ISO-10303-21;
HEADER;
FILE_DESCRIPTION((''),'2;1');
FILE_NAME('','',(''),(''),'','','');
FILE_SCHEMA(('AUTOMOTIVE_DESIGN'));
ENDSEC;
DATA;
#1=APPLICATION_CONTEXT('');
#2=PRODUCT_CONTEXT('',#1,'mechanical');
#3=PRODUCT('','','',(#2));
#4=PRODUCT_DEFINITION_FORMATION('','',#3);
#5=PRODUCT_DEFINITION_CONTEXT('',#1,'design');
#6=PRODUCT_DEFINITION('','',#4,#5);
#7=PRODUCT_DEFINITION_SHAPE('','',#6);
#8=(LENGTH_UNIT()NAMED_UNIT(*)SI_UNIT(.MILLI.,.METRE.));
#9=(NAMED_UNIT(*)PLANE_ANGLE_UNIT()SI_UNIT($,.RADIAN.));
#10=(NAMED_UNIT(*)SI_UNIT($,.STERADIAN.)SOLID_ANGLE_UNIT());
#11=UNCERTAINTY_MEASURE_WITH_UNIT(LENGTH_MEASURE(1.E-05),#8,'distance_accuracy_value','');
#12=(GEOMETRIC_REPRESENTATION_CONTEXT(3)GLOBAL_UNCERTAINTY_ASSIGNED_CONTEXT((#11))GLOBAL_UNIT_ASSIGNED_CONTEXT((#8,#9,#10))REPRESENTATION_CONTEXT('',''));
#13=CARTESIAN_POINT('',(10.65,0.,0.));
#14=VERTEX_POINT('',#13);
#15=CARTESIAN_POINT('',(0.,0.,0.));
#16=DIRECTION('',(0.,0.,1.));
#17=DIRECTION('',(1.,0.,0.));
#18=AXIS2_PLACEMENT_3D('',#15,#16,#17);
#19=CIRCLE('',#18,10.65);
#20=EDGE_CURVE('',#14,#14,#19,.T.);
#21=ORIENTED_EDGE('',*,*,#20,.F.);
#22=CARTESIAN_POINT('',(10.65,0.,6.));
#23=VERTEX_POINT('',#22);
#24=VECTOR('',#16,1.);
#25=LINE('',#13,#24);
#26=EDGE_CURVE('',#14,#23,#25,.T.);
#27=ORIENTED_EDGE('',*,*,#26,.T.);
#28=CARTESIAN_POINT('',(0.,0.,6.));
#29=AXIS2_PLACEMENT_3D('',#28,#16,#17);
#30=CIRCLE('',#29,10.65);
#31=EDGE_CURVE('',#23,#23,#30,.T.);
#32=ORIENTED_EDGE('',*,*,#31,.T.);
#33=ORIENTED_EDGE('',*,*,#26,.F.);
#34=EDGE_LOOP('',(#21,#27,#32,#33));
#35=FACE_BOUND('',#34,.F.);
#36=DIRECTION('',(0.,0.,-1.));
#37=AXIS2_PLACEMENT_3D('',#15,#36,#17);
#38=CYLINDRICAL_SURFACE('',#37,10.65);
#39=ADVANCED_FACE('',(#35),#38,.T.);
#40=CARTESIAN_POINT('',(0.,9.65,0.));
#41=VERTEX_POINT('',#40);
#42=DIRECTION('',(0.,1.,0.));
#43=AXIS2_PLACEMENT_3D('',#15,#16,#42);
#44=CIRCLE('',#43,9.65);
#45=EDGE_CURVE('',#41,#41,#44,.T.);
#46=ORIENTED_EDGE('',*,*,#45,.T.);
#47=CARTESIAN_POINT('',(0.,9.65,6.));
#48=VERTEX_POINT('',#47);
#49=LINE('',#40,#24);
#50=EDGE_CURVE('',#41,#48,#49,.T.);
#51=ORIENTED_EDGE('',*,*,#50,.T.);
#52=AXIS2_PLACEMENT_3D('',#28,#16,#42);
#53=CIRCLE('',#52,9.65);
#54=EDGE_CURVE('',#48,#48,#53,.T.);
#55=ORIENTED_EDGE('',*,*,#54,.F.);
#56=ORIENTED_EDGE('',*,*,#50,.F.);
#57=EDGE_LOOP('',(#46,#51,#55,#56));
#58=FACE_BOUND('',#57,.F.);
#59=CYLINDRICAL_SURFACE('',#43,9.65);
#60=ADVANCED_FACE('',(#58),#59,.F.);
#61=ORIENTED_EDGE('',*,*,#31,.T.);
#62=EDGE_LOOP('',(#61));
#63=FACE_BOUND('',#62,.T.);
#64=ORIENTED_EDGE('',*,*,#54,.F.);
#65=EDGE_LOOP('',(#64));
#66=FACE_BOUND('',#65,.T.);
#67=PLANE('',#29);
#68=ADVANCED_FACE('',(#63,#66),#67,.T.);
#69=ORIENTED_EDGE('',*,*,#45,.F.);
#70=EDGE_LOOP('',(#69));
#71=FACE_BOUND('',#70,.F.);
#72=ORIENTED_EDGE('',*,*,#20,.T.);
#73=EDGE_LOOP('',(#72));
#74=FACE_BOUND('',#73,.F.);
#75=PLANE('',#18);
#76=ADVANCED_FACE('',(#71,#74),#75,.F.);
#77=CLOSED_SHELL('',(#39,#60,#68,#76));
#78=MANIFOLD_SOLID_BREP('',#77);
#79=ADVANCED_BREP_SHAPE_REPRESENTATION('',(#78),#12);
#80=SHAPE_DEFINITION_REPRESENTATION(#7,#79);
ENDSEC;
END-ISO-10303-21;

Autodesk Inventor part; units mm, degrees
ref_plane "YZ Plane" through (0, 0, 0) normal (1, 0, 0) x (0, 1, 0)
ref_plane "XZ Plane" through (0, 0, 0) normal (0, 1, 0) x (-1, 0, 0)
ref_plane "XY Plane" through (0, 0, 0) normal (0, 0, 1) x (1, 0, 0)
sketch "Sketch1" plane through (0, 0, 0) normal (0, 0, 1) x (1, 0, 0)
  circle A0 centre (0, 0) radius 10.65
  dimension "d0" = 21.3
extrude "Extrusion1" add sketch "Sketch1" along normal blind 6
sketch "Sketch2" plane through (0, 0, 0) normal (0, 0, -1) x (-1, 0, 0)
  point P0 (0, 0)
  point P1 (0, 0)
hole "Hole1" at (0, 0, 0) direction (0, 0, 1) diameter 19.3 end through all
properties part number "CoverPart1"
